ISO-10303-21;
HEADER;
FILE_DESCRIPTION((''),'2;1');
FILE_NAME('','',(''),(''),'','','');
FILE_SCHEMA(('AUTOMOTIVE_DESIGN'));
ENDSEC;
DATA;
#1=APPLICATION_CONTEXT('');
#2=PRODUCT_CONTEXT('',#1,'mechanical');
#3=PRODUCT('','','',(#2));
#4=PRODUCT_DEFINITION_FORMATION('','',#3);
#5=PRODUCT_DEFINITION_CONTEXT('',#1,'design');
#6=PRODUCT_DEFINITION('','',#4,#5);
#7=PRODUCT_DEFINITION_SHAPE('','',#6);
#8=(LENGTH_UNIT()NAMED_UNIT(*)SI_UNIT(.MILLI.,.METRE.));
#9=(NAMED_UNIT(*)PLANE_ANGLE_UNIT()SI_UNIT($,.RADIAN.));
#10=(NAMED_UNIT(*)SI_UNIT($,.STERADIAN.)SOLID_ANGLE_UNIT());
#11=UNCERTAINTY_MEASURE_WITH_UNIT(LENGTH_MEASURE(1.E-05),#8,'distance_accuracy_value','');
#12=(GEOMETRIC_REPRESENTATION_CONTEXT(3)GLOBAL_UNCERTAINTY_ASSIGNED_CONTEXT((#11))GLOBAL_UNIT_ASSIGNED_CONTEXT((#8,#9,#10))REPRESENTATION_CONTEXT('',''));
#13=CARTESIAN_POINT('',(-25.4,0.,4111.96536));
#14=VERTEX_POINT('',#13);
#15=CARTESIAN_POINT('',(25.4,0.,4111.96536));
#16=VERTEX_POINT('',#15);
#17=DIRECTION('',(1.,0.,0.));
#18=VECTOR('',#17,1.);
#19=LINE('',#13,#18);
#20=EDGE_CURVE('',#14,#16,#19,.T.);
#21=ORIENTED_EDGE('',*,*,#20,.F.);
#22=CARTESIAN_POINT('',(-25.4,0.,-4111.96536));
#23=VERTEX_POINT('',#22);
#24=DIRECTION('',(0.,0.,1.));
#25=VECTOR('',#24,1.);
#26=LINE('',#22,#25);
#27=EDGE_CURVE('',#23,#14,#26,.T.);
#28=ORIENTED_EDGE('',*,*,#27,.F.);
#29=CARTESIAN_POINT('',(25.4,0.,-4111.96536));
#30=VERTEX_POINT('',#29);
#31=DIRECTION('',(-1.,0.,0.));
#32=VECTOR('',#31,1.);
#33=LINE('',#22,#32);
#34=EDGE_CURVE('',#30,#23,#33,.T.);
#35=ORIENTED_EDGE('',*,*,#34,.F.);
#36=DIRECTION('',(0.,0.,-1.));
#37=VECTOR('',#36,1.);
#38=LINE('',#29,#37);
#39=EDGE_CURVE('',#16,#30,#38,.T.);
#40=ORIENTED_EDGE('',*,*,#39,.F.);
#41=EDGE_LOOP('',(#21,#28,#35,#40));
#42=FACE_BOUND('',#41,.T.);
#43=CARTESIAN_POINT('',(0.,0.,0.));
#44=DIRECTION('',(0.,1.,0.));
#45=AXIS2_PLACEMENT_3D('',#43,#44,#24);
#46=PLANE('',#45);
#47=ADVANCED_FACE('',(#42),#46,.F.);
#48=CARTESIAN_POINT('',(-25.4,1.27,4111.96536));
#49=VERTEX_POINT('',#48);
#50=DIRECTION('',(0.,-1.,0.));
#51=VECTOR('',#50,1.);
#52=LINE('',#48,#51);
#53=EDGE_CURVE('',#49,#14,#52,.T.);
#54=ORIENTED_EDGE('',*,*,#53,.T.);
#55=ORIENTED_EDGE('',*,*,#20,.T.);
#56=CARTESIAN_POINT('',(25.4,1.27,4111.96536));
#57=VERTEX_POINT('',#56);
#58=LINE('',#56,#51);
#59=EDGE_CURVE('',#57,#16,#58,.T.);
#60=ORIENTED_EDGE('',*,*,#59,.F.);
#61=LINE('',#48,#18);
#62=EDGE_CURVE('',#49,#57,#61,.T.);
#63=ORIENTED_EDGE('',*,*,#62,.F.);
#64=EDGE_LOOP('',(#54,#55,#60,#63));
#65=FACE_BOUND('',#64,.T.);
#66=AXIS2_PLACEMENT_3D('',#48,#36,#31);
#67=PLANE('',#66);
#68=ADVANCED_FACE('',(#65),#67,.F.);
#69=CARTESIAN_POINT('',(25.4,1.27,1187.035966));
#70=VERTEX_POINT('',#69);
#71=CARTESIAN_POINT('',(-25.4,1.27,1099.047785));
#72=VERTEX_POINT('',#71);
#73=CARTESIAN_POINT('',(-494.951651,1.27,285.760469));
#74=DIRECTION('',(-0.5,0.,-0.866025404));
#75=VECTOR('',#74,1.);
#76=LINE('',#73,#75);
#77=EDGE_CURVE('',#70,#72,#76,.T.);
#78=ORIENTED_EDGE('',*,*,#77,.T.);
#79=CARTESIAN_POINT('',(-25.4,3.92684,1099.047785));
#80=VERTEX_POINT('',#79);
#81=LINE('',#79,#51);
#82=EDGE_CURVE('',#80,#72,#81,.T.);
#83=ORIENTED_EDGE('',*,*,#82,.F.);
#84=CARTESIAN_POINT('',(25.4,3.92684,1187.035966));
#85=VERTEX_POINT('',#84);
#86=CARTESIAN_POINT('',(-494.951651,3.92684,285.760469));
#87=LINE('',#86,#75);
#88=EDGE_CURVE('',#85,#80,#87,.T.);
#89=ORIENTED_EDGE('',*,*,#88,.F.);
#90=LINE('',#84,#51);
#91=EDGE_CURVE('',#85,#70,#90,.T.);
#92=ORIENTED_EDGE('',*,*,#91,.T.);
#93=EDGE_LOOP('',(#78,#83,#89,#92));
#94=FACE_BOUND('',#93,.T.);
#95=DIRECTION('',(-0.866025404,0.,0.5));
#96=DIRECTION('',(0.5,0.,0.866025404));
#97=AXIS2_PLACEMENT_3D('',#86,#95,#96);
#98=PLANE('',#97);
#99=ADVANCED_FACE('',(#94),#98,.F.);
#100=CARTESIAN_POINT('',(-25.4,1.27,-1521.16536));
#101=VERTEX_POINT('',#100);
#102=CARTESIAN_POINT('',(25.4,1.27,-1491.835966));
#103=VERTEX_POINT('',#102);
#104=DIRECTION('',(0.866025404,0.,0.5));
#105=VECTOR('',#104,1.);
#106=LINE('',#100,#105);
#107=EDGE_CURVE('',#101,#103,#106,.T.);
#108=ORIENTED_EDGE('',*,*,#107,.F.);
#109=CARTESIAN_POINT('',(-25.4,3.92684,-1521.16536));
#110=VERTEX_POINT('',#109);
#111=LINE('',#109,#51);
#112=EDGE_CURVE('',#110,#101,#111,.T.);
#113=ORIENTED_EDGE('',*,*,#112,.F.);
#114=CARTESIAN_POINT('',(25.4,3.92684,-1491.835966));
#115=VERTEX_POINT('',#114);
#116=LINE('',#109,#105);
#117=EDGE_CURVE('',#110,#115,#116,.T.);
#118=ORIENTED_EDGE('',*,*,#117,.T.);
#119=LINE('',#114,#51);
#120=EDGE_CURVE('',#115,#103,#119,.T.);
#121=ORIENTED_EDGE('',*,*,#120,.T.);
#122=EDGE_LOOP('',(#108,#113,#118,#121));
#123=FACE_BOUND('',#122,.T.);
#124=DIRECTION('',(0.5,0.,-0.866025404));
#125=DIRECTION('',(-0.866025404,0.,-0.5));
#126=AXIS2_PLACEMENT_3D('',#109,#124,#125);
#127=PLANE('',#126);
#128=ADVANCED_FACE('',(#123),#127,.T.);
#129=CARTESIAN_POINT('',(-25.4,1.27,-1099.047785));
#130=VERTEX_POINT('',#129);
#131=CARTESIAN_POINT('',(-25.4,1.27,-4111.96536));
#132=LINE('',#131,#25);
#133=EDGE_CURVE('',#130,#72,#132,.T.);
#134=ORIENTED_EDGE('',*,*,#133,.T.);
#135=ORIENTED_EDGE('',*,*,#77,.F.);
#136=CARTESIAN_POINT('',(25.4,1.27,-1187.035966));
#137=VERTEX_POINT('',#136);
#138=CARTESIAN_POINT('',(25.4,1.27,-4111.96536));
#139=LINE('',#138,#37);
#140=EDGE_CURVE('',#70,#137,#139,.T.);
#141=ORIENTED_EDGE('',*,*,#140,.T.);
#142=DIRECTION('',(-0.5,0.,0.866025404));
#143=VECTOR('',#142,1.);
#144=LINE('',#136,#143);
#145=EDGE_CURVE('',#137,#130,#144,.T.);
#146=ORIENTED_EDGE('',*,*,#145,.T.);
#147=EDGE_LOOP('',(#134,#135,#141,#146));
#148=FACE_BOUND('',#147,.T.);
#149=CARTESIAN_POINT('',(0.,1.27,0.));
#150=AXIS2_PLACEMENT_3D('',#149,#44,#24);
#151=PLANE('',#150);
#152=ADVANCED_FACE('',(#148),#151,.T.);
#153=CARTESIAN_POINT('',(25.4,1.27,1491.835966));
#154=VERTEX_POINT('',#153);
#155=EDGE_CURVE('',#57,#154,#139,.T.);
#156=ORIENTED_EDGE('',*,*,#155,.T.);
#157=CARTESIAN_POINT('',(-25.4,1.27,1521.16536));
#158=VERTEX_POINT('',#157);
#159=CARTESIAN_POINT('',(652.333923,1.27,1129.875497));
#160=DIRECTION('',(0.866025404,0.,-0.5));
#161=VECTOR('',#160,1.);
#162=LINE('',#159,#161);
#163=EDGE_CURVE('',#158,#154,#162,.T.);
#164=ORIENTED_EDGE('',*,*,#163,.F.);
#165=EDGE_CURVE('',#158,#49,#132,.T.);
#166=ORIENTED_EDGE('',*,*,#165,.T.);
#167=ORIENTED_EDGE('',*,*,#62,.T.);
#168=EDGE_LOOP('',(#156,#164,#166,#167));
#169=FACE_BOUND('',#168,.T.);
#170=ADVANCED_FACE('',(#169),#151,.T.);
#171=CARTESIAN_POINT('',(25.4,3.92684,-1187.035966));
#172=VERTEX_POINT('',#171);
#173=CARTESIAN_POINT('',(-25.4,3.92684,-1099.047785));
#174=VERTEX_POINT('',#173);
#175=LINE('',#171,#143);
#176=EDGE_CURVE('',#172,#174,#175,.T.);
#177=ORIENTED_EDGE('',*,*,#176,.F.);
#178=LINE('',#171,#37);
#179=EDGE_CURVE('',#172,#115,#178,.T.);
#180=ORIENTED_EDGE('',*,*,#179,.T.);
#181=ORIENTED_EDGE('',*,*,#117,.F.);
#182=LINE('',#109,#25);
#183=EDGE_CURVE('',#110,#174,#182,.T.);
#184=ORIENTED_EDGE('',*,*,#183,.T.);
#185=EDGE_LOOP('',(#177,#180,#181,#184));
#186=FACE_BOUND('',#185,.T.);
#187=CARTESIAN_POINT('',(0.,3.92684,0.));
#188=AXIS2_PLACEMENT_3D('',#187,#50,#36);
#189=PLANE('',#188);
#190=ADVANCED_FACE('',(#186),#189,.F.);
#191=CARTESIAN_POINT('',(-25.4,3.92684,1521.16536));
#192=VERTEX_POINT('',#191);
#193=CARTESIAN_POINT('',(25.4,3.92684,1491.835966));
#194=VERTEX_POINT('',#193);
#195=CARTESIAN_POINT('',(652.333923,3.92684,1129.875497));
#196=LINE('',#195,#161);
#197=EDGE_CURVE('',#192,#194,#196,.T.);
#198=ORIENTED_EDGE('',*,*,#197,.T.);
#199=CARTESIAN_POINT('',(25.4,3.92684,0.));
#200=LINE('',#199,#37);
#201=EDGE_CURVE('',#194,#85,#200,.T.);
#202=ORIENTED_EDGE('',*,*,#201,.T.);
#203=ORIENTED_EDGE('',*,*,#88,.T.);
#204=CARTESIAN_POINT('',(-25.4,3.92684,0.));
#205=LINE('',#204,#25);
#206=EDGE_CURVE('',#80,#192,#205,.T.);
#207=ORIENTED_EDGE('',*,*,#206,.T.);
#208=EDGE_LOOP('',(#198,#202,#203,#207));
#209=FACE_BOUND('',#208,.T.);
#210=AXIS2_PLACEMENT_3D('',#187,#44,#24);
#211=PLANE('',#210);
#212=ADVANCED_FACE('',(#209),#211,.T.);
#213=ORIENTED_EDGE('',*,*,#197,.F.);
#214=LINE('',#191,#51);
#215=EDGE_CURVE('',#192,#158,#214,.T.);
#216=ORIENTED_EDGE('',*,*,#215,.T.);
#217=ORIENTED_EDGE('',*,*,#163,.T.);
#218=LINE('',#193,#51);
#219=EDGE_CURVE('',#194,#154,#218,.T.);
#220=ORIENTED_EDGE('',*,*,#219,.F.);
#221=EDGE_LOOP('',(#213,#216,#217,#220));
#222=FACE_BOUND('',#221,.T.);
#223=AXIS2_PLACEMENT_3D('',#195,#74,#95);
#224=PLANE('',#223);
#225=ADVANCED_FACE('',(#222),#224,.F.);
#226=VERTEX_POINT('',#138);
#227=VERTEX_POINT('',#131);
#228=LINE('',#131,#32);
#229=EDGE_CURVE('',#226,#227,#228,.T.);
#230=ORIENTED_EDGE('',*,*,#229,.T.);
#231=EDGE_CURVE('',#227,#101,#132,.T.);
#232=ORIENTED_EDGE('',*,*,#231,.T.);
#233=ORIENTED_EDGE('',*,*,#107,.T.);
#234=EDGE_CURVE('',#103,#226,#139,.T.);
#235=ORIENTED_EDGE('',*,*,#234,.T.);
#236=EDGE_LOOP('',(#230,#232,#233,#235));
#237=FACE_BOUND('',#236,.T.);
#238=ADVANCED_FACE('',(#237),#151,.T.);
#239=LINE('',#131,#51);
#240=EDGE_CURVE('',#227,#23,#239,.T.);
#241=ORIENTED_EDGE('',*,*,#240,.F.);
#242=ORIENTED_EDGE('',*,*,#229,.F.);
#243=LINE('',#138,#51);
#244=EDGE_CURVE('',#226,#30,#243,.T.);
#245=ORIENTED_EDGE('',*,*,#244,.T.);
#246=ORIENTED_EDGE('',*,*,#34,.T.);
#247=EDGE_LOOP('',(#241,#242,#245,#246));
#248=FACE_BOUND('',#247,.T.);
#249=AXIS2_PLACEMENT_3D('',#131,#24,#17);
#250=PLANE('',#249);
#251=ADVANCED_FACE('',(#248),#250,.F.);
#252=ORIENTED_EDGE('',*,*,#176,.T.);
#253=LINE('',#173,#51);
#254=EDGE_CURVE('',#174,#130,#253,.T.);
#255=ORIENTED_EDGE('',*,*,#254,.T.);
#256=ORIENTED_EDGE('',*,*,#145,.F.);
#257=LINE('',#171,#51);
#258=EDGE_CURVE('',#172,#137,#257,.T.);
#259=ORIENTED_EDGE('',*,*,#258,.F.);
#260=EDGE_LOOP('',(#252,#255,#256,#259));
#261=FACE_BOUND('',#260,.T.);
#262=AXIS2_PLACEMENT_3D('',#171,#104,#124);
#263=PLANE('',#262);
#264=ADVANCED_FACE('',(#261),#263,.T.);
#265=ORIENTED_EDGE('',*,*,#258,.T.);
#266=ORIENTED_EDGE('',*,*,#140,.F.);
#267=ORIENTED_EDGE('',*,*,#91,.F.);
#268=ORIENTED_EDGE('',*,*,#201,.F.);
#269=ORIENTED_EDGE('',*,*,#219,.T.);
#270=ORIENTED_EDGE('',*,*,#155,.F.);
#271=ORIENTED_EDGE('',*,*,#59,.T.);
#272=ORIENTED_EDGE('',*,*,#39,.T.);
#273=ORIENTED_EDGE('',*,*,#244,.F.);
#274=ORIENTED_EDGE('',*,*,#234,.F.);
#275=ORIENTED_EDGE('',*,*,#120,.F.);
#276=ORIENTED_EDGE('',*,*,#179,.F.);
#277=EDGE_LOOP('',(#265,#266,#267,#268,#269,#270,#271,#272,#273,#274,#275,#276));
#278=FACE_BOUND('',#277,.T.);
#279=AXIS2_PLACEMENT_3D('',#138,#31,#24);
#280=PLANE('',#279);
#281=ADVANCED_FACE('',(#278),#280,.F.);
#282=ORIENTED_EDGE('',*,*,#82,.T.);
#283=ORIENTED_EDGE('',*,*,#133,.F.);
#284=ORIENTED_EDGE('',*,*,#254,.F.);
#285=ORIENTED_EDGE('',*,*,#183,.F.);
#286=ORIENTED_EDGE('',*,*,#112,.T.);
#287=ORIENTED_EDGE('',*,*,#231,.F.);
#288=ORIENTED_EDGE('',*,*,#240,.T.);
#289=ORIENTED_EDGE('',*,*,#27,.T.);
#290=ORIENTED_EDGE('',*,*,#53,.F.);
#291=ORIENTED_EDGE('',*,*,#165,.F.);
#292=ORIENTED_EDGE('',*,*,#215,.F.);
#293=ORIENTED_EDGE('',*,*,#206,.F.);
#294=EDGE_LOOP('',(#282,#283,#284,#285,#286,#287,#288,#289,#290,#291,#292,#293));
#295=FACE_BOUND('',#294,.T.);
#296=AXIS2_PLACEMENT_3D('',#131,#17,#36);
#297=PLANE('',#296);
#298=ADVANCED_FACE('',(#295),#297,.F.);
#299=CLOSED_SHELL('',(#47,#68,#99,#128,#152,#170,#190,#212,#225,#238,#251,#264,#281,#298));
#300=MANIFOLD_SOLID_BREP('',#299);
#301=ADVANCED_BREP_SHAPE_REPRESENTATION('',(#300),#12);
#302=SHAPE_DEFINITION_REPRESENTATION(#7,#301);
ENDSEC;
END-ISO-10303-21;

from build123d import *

# Parameters (mm, degrees)
SKETCH1_W           = 50.8
SKETCH1_H           = 8223.93072
BOSS_EXTRUDE1_DEPTH = 1.27
BOSS_EXTRUDE2_DEPTH = 2.65684


with BuildPart() as part:
    # Sketch1 → Boss-Extrude1 (new body)
    with BuildSketch(Plane(origin=(0, 0, 0), x_dir=(1, 0, 0), z_dir=(0, 1, 0))):
        Rectangle(SKETCH1_W, SKETCH1_H)
    extrude(amount=BOSS_EXTRUDE1_DEPTH)

    # Sketch3 → Boss-Extrude2 (add)
    with BuildSketch(Plane(origin=(0, 1.27, 0), x_dir=(1, 0, 0), z_dir=(0, 1, 0))):
        Polygon((-25.4, -1099.047785301), (-25.4, -1521.16536), (25.4, -1491.835966325), (25.4, -1187.035966325), align=None)
        Polygon((-25.4, 1521.16536), (-25.4, 1099.047785301), (25.4, 1187.035966325), (25.4, 1491.835966325), align=None)
    extrude(amount=BOSS_EXTRUDE2_DEPTH)


solid = part.part
